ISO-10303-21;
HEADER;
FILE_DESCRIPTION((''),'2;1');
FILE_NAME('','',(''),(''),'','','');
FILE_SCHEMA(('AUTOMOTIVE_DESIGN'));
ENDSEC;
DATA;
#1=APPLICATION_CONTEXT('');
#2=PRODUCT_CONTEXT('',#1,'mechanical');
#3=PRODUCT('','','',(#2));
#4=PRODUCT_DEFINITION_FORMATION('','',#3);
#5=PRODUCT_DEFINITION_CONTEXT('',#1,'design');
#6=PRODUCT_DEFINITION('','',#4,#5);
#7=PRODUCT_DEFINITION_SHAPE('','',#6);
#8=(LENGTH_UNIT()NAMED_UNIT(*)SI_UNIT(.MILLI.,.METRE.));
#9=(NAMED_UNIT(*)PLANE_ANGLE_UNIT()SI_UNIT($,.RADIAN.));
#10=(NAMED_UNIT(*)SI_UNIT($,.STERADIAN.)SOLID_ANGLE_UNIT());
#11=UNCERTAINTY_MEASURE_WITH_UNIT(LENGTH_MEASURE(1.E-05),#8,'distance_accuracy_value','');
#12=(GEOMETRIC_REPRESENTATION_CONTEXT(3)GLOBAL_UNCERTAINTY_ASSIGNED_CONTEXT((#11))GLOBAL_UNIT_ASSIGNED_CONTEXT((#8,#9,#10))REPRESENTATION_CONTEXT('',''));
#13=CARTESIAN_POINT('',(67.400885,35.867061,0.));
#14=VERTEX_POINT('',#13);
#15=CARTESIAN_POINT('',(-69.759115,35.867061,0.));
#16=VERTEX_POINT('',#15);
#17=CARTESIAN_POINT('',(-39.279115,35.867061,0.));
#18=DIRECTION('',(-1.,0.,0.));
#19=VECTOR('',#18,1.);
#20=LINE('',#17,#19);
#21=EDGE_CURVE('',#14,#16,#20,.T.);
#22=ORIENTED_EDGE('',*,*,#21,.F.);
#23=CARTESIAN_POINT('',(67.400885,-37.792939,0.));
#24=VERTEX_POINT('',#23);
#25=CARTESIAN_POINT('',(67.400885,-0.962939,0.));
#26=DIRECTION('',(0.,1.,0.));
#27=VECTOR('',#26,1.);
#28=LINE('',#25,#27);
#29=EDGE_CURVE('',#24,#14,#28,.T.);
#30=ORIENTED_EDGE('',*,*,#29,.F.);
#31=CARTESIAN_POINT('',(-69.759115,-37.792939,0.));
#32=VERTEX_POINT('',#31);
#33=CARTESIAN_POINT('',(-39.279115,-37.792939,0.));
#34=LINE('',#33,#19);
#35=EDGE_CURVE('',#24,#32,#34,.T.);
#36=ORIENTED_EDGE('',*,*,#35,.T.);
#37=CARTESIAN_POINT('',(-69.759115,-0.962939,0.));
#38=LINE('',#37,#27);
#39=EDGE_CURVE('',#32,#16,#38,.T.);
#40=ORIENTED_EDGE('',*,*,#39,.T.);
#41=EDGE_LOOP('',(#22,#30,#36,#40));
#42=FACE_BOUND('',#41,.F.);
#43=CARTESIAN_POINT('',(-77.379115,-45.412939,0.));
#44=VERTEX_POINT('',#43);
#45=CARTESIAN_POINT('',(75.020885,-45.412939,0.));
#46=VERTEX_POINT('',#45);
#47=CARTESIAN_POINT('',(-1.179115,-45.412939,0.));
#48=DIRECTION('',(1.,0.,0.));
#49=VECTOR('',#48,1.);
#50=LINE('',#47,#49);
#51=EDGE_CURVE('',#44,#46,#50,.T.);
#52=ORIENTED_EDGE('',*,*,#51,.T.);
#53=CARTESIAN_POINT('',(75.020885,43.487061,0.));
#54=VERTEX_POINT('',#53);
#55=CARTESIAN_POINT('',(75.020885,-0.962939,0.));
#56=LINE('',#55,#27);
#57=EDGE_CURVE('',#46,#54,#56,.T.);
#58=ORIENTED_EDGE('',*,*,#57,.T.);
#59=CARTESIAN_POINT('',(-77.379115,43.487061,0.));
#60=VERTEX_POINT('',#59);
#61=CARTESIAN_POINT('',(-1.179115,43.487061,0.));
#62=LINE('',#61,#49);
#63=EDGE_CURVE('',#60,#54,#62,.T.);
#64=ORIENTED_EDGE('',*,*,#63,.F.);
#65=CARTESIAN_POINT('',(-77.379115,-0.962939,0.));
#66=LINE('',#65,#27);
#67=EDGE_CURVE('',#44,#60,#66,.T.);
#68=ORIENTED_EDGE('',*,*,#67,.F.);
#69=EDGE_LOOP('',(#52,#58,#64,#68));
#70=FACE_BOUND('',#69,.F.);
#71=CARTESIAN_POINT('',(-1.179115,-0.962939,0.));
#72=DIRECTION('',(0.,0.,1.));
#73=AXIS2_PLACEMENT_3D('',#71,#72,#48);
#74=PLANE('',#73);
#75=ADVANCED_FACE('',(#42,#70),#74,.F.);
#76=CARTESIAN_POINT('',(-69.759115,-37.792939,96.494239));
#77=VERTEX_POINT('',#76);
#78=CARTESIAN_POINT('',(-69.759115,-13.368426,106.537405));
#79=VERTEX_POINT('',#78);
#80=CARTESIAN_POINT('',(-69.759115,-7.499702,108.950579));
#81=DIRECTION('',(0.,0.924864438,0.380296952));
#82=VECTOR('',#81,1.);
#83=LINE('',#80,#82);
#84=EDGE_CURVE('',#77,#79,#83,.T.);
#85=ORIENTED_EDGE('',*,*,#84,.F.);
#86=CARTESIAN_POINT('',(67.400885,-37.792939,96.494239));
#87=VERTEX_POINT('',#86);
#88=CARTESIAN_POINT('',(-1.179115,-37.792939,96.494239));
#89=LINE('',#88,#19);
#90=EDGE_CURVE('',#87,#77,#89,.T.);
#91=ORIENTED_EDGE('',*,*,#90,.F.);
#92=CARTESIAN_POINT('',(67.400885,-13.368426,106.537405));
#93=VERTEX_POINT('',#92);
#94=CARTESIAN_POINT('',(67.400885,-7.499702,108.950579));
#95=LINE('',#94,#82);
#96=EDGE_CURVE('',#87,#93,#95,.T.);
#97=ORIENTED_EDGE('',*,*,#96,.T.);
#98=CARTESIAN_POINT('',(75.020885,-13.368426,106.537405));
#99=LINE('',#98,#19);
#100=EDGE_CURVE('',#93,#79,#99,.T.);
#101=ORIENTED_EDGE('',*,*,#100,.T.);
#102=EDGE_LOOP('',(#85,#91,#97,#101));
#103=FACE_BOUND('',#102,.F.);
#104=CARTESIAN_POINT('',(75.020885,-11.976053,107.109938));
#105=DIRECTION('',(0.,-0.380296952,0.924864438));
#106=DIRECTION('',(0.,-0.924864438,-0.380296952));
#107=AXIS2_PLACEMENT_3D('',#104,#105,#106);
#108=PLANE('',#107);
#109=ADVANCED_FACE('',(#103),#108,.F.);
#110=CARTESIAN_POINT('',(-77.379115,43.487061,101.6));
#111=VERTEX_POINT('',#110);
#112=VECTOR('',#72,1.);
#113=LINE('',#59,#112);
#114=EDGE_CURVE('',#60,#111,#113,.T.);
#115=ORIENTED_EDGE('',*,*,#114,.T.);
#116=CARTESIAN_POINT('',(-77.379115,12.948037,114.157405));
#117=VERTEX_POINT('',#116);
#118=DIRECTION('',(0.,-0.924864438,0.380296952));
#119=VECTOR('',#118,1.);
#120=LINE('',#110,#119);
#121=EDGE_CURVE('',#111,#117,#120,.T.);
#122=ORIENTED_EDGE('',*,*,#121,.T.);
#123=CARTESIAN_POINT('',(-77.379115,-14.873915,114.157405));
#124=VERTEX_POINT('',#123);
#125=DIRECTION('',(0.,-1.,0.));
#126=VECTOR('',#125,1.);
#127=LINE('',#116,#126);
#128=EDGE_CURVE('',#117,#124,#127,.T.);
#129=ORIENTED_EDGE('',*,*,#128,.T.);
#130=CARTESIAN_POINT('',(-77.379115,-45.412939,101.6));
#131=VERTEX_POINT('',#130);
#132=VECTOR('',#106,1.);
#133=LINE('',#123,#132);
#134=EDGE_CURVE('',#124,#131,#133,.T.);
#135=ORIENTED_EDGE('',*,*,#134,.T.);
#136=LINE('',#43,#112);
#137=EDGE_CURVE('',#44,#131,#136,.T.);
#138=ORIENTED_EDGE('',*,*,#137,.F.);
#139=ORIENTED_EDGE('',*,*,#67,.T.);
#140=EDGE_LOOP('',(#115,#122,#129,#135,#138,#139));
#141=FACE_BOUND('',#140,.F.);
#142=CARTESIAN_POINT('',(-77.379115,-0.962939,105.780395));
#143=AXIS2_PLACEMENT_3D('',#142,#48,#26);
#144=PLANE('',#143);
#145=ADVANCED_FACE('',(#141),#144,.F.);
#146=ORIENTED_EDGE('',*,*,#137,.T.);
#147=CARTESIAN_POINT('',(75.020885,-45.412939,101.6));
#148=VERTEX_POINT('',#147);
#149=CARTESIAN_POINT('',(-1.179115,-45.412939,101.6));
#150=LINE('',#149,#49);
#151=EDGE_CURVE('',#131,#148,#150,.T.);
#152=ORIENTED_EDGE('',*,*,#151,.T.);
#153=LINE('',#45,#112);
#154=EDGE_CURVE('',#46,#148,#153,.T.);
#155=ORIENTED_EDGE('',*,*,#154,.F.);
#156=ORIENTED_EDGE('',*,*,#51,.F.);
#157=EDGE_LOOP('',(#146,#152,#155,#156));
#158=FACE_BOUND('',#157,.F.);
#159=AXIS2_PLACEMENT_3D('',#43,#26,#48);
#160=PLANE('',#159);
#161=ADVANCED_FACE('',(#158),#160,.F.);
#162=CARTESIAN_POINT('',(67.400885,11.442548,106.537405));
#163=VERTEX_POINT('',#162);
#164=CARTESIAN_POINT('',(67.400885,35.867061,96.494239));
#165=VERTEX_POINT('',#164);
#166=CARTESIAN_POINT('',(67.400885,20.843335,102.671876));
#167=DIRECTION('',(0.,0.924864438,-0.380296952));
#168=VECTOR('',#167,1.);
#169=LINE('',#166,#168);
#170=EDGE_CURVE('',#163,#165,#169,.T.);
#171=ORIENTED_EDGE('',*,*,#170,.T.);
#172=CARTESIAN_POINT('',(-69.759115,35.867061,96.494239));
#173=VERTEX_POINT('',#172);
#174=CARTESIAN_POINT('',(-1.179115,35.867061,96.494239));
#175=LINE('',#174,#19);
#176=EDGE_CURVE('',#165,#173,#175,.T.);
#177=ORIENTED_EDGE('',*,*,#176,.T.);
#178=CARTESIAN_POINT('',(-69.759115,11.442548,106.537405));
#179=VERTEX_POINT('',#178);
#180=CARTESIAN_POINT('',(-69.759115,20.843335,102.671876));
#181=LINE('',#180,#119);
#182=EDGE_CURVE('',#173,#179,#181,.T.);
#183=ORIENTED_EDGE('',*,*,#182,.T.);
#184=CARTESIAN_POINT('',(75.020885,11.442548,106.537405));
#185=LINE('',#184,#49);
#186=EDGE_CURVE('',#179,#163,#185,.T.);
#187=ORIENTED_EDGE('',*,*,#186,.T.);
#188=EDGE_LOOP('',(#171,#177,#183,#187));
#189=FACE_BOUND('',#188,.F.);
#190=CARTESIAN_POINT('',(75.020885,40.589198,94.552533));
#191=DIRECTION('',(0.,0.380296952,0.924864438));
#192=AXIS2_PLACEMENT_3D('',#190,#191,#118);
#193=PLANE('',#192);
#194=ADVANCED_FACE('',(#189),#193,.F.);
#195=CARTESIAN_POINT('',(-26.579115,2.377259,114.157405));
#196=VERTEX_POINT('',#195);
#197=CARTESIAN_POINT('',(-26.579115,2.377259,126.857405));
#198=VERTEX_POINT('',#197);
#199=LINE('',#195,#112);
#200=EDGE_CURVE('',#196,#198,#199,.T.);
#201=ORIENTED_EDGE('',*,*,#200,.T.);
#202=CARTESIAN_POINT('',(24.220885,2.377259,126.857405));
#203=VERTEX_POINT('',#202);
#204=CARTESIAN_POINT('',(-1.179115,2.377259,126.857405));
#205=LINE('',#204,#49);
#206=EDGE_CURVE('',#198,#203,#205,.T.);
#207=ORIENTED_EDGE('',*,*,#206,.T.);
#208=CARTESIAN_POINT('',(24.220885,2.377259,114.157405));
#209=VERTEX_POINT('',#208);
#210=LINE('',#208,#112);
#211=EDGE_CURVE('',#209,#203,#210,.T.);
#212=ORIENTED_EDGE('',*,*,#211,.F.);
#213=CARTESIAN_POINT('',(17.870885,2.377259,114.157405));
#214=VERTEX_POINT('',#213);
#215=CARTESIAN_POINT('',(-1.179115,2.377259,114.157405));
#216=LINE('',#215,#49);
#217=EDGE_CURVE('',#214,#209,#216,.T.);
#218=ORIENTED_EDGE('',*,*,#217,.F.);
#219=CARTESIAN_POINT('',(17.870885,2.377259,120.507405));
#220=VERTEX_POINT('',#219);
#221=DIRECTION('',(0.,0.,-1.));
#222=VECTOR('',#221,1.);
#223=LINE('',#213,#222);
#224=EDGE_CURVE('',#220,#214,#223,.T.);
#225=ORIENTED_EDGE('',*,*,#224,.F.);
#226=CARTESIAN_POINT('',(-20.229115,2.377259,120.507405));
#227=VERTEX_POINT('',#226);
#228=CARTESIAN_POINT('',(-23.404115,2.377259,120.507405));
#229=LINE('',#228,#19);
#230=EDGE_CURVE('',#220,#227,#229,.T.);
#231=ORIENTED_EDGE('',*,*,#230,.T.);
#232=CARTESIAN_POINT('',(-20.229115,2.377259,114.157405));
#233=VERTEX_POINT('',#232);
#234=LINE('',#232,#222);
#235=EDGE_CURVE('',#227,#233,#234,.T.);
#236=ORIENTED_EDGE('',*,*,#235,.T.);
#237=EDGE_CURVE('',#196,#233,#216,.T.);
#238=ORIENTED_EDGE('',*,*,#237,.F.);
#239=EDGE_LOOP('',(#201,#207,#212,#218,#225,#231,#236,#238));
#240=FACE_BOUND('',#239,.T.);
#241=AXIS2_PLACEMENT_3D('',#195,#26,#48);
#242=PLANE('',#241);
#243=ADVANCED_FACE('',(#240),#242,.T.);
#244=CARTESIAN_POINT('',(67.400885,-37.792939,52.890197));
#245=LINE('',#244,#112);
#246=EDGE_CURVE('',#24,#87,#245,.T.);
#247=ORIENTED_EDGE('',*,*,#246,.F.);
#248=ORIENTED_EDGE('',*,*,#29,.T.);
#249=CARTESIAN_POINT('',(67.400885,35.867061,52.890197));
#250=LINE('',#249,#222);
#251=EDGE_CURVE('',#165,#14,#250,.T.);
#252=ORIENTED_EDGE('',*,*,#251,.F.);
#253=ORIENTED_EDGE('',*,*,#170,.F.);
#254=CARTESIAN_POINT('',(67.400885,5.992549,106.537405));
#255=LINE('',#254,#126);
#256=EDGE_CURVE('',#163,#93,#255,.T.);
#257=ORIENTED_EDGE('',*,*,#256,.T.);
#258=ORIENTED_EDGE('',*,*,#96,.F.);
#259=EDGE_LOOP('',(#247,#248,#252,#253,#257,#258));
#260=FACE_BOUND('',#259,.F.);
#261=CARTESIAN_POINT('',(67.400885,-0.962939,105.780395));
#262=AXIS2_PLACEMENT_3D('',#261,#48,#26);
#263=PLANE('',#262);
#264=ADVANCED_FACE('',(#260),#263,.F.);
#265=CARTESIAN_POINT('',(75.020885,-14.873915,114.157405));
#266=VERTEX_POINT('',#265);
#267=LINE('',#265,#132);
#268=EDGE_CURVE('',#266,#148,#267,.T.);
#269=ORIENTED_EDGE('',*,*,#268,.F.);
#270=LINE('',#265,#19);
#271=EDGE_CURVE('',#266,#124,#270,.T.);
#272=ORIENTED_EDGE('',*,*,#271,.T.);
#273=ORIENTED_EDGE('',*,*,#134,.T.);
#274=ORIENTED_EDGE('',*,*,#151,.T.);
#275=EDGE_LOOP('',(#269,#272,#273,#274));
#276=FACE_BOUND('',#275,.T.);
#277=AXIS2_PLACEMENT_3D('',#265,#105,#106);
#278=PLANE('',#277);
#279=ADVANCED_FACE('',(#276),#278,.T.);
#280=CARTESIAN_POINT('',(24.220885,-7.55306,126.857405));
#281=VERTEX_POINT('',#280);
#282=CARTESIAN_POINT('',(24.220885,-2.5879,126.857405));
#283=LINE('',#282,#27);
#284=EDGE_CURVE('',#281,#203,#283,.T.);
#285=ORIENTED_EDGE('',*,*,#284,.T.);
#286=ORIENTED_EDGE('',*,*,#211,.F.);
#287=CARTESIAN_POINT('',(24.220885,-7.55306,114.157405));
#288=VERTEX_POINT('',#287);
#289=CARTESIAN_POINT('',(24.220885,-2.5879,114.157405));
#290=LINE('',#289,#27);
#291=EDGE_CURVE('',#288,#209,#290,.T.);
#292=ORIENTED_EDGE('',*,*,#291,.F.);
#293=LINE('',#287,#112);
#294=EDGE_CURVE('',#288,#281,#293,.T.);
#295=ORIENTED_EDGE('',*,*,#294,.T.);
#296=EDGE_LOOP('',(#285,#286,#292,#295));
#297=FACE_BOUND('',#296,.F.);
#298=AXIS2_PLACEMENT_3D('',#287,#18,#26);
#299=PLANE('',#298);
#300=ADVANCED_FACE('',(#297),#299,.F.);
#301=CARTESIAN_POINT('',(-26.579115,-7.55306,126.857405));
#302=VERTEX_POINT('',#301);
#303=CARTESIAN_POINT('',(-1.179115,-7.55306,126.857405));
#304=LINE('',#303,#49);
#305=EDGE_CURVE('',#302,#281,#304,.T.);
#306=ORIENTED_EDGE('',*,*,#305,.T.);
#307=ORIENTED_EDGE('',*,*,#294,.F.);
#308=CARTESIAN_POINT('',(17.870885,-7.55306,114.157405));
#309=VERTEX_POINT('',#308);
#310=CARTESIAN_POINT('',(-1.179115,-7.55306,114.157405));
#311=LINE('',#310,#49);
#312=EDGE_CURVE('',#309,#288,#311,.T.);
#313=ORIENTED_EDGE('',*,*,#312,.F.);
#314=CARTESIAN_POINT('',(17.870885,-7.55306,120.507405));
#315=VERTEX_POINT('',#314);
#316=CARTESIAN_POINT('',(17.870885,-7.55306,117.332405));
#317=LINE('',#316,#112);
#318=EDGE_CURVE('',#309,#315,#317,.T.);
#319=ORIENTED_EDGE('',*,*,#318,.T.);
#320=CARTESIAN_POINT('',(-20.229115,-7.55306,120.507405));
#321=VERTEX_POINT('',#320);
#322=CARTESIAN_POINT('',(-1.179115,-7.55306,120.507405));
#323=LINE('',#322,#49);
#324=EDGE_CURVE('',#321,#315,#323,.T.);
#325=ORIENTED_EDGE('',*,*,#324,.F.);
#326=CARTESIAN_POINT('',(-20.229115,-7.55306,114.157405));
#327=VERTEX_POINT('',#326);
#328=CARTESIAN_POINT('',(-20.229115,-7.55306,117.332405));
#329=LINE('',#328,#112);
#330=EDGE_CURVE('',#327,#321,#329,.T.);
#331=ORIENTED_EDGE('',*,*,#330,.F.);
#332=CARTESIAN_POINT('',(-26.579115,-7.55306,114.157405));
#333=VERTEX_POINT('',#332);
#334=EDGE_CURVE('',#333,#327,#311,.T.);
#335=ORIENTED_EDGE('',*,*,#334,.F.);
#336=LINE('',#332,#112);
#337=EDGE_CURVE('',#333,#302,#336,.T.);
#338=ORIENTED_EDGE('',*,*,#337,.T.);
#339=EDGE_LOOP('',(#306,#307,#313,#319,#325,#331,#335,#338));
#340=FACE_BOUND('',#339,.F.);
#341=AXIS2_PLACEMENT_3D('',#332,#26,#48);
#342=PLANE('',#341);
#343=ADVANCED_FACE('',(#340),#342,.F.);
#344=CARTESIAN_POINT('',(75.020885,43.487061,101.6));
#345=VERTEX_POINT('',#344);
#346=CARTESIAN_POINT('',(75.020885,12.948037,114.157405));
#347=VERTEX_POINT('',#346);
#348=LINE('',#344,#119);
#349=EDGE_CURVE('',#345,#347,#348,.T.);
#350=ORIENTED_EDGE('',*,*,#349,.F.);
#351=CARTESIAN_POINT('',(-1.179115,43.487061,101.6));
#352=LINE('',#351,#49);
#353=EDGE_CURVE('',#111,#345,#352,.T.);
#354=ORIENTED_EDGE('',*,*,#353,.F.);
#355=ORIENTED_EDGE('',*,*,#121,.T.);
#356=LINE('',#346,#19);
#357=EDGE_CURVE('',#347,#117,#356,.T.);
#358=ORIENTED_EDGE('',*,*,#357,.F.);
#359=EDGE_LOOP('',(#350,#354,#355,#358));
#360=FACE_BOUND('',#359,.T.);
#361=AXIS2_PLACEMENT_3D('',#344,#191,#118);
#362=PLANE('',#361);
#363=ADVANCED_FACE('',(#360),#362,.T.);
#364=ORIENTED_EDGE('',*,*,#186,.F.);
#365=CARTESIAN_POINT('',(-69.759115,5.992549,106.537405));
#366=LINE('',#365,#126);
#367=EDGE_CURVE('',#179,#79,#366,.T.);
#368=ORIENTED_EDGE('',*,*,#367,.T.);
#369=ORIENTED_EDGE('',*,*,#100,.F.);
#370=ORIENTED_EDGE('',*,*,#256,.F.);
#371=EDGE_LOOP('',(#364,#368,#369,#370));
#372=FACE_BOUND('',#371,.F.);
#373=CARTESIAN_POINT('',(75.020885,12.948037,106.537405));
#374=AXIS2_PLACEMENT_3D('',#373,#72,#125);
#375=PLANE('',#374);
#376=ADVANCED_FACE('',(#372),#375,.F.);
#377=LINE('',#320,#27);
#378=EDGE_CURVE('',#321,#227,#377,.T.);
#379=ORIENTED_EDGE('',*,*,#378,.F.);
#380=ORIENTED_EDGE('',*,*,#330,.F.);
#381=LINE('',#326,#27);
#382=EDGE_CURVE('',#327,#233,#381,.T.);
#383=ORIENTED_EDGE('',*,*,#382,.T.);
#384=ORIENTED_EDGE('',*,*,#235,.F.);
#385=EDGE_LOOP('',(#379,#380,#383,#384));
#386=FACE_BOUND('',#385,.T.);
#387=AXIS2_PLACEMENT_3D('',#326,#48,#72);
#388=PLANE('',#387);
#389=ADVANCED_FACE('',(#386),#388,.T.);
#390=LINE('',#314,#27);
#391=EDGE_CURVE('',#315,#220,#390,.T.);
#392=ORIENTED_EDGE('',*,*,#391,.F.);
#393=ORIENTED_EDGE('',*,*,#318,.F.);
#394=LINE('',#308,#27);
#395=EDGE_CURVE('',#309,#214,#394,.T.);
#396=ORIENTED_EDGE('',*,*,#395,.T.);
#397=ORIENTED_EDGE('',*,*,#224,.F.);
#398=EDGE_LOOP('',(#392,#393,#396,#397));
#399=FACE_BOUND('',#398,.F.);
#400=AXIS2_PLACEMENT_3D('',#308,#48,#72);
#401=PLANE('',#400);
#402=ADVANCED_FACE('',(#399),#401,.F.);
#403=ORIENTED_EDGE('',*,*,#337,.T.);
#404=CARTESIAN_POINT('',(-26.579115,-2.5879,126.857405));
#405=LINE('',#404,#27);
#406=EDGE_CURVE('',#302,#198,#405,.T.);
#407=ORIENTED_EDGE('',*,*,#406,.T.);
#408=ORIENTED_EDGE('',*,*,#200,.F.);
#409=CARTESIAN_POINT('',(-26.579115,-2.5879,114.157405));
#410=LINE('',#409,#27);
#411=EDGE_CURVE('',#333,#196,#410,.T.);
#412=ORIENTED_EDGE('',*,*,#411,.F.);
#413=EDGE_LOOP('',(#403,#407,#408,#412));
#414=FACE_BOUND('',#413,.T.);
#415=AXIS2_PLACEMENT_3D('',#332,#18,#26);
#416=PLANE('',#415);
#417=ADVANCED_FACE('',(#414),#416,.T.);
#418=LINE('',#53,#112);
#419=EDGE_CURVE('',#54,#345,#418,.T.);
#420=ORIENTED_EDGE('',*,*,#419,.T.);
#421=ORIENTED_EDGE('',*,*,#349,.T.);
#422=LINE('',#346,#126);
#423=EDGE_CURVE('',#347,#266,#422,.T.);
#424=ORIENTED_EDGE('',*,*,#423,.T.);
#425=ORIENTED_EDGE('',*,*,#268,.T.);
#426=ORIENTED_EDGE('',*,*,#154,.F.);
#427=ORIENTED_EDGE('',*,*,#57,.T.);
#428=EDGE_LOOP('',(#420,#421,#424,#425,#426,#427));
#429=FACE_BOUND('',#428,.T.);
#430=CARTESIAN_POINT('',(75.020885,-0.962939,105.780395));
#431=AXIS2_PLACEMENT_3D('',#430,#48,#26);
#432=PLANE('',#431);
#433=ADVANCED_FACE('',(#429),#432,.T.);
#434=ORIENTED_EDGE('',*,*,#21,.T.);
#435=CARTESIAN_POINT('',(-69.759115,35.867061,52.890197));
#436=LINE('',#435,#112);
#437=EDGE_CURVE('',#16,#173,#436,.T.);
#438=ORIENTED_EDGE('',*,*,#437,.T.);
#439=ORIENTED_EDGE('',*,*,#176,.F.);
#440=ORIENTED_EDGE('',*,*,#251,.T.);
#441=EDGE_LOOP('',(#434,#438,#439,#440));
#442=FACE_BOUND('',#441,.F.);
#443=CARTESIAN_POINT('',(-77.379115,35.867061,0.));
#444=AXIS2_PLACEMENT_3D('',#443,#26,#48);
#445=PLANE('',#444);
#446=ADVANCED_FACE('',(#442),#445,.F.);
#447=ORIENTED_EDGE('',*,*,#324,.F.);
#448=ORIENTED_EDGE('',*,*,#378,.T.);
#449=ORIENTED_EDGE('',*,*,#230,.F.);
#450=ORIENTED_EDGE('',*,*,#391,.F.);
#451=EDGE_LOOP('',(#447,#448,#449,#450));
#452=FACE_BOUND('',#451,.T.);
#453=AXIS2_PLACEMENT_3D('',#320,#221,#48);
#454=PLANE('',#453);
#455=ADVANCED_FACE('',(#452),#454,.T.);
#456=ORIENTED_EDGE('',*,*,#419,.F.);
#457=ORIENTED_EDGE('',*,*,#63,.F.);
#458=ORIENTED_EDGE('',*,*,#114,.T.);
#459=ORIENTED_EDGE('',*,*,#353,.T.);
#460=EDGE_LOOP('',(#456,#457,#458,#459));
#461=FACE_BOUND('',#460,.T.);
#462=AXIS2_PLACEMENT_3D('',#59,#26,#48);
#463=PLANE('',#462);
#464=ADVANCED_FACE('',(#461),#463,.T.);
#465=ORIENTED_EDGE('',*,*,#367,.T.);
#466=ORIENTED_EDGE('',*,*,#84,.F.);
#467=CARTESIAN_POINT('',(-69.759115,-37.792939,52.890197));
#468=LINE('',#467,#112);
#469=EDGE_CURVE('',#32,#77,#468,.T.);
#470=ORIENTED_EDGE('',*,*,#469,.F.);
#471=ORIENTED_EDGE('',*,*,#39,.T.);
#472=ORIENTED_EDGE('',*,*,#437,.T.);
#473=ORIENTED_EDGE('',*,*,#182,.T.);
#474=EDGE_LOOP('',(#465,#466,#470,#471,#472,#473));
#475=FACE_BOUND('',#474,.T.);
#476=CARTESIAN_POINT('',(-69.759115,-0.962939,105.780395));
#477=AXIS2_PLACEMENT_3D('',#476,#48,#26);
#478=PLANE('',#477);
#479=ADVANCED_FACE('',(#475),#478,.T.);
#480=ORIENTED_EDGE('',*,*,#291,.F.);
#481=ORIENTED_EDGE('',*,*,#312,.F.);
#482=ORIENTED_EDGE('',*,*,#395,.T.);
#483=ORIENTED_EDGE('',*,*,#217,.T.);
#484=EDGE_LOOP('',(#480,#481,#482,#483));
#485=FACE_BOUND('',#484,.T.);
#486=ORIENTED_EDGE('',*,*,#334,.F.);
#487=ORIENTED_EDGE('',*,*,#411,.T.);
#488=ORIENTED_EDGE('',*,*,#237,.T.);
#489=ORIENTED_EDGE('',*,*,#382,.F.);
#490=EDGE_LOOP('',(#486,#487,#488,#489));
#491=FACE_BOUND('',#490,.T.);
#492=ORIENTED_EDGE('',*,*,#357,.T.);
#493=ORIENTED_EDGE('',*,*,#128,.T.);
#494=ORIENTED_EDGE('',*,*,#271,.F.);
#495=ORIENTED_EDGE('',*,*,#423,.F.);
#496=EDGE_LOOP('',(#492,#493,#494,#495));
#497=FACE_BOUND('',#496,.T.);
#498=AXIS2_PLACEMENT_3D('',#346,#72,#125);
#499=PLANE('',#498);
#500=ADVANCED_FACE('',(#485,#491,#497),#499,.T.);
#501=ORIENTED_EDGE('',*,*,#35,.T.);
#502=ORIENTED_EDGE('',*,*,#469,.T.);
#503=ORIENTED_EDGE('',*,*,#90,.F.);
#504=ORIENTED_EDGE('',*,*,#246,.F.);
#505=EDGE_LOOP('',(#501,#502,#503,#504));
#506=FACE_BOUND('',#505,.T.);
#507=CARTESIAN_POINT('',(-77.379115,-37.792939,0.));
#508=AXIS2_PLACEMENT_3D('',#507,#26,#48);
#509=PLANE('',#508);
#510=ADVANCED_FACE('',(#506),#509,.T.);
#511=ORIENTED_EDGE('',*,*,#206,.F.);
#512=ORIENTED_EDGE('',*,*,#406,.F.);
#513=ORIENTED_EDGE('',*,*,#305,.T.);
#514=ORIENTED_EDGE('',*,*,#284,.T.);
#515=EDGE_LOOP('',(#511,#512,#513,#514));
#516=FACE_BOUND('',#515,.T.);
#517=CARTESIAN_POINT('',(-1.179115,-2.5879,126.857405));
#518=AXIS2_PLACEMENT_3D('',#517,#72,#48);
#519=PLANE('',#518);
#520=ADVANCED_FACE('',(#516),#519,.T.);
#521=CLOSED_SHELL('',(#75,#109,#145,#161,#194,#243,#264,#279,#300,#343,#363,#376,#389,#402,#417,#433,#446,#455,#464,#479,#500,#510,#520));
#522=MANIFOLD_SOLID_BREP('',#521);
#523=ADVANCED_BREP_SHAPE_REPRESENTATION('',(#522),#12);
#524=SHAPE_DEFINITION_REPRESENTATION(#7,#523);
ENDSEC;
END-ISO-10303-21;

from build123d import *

# Parameters (mm, degrees)
F0_W     = 152.4
F0_H     = 88.9
F1_DEPTH = 101.6
F3_DEPTH = 152.4
F4_W     = 50.8
F4_H     = 9.9303191528
F5_DEPTH = 12.7
F6_W     = 38.1
F6_H     = 6.35
F7_DEPTH = 25.4
F8_T     = -7.62


with BuildPart() as f1:
    # F0 (on Top) → F1 (new body)
    with BuildSketch(Plane.XY):
        with Locations((-1.1791149259, -0.9629391849)):
            Rectangle(F0_W, F0_H)
    extrude(amount=F1_DEPTH)

    # F2 (on face) → F3 (join)
    with BuildSketch(Plane.YZ.offset(75.0208850741)):
        Polygon((-14.8739154544, 114.1574053684), (-45.4129391849, 101.6), (43.4870608151, 101.6), (12.9480370846, 114.1574053684), align=None)
    extrude(amount=-F3_DEPTH)

    # F4 (on face) → F5 (join)
    with BuildSketch(Plane.XY.offset(114.1574053684)):
        with Locations((-1.1791149259, -2.587900497)):
            Rectangle(F4_W, F4_H)
    extrude(amount=F5_DEPTH)

    # F6 (on face) → F7 (cut)
    with BuildSketch(Plane.XZ.offset(7.5530600734)):
        with Locations((-1.1791149259, 117.3324053684)):
            Rectangle(F6_W, F6_H)
    extrude(amount=-F7_DEPTH, mode=Mode.SUBTRACT)

    # F8
    f8_openings = [f1.faces().sort_by_distance(p)[0] for p in [
        (-1.179115, -0.962939, 0),
    ]]
    offset(amount=F8_T, openings=f8_openings, kind=Kind.INTERSECTION)


solid = f1.part
